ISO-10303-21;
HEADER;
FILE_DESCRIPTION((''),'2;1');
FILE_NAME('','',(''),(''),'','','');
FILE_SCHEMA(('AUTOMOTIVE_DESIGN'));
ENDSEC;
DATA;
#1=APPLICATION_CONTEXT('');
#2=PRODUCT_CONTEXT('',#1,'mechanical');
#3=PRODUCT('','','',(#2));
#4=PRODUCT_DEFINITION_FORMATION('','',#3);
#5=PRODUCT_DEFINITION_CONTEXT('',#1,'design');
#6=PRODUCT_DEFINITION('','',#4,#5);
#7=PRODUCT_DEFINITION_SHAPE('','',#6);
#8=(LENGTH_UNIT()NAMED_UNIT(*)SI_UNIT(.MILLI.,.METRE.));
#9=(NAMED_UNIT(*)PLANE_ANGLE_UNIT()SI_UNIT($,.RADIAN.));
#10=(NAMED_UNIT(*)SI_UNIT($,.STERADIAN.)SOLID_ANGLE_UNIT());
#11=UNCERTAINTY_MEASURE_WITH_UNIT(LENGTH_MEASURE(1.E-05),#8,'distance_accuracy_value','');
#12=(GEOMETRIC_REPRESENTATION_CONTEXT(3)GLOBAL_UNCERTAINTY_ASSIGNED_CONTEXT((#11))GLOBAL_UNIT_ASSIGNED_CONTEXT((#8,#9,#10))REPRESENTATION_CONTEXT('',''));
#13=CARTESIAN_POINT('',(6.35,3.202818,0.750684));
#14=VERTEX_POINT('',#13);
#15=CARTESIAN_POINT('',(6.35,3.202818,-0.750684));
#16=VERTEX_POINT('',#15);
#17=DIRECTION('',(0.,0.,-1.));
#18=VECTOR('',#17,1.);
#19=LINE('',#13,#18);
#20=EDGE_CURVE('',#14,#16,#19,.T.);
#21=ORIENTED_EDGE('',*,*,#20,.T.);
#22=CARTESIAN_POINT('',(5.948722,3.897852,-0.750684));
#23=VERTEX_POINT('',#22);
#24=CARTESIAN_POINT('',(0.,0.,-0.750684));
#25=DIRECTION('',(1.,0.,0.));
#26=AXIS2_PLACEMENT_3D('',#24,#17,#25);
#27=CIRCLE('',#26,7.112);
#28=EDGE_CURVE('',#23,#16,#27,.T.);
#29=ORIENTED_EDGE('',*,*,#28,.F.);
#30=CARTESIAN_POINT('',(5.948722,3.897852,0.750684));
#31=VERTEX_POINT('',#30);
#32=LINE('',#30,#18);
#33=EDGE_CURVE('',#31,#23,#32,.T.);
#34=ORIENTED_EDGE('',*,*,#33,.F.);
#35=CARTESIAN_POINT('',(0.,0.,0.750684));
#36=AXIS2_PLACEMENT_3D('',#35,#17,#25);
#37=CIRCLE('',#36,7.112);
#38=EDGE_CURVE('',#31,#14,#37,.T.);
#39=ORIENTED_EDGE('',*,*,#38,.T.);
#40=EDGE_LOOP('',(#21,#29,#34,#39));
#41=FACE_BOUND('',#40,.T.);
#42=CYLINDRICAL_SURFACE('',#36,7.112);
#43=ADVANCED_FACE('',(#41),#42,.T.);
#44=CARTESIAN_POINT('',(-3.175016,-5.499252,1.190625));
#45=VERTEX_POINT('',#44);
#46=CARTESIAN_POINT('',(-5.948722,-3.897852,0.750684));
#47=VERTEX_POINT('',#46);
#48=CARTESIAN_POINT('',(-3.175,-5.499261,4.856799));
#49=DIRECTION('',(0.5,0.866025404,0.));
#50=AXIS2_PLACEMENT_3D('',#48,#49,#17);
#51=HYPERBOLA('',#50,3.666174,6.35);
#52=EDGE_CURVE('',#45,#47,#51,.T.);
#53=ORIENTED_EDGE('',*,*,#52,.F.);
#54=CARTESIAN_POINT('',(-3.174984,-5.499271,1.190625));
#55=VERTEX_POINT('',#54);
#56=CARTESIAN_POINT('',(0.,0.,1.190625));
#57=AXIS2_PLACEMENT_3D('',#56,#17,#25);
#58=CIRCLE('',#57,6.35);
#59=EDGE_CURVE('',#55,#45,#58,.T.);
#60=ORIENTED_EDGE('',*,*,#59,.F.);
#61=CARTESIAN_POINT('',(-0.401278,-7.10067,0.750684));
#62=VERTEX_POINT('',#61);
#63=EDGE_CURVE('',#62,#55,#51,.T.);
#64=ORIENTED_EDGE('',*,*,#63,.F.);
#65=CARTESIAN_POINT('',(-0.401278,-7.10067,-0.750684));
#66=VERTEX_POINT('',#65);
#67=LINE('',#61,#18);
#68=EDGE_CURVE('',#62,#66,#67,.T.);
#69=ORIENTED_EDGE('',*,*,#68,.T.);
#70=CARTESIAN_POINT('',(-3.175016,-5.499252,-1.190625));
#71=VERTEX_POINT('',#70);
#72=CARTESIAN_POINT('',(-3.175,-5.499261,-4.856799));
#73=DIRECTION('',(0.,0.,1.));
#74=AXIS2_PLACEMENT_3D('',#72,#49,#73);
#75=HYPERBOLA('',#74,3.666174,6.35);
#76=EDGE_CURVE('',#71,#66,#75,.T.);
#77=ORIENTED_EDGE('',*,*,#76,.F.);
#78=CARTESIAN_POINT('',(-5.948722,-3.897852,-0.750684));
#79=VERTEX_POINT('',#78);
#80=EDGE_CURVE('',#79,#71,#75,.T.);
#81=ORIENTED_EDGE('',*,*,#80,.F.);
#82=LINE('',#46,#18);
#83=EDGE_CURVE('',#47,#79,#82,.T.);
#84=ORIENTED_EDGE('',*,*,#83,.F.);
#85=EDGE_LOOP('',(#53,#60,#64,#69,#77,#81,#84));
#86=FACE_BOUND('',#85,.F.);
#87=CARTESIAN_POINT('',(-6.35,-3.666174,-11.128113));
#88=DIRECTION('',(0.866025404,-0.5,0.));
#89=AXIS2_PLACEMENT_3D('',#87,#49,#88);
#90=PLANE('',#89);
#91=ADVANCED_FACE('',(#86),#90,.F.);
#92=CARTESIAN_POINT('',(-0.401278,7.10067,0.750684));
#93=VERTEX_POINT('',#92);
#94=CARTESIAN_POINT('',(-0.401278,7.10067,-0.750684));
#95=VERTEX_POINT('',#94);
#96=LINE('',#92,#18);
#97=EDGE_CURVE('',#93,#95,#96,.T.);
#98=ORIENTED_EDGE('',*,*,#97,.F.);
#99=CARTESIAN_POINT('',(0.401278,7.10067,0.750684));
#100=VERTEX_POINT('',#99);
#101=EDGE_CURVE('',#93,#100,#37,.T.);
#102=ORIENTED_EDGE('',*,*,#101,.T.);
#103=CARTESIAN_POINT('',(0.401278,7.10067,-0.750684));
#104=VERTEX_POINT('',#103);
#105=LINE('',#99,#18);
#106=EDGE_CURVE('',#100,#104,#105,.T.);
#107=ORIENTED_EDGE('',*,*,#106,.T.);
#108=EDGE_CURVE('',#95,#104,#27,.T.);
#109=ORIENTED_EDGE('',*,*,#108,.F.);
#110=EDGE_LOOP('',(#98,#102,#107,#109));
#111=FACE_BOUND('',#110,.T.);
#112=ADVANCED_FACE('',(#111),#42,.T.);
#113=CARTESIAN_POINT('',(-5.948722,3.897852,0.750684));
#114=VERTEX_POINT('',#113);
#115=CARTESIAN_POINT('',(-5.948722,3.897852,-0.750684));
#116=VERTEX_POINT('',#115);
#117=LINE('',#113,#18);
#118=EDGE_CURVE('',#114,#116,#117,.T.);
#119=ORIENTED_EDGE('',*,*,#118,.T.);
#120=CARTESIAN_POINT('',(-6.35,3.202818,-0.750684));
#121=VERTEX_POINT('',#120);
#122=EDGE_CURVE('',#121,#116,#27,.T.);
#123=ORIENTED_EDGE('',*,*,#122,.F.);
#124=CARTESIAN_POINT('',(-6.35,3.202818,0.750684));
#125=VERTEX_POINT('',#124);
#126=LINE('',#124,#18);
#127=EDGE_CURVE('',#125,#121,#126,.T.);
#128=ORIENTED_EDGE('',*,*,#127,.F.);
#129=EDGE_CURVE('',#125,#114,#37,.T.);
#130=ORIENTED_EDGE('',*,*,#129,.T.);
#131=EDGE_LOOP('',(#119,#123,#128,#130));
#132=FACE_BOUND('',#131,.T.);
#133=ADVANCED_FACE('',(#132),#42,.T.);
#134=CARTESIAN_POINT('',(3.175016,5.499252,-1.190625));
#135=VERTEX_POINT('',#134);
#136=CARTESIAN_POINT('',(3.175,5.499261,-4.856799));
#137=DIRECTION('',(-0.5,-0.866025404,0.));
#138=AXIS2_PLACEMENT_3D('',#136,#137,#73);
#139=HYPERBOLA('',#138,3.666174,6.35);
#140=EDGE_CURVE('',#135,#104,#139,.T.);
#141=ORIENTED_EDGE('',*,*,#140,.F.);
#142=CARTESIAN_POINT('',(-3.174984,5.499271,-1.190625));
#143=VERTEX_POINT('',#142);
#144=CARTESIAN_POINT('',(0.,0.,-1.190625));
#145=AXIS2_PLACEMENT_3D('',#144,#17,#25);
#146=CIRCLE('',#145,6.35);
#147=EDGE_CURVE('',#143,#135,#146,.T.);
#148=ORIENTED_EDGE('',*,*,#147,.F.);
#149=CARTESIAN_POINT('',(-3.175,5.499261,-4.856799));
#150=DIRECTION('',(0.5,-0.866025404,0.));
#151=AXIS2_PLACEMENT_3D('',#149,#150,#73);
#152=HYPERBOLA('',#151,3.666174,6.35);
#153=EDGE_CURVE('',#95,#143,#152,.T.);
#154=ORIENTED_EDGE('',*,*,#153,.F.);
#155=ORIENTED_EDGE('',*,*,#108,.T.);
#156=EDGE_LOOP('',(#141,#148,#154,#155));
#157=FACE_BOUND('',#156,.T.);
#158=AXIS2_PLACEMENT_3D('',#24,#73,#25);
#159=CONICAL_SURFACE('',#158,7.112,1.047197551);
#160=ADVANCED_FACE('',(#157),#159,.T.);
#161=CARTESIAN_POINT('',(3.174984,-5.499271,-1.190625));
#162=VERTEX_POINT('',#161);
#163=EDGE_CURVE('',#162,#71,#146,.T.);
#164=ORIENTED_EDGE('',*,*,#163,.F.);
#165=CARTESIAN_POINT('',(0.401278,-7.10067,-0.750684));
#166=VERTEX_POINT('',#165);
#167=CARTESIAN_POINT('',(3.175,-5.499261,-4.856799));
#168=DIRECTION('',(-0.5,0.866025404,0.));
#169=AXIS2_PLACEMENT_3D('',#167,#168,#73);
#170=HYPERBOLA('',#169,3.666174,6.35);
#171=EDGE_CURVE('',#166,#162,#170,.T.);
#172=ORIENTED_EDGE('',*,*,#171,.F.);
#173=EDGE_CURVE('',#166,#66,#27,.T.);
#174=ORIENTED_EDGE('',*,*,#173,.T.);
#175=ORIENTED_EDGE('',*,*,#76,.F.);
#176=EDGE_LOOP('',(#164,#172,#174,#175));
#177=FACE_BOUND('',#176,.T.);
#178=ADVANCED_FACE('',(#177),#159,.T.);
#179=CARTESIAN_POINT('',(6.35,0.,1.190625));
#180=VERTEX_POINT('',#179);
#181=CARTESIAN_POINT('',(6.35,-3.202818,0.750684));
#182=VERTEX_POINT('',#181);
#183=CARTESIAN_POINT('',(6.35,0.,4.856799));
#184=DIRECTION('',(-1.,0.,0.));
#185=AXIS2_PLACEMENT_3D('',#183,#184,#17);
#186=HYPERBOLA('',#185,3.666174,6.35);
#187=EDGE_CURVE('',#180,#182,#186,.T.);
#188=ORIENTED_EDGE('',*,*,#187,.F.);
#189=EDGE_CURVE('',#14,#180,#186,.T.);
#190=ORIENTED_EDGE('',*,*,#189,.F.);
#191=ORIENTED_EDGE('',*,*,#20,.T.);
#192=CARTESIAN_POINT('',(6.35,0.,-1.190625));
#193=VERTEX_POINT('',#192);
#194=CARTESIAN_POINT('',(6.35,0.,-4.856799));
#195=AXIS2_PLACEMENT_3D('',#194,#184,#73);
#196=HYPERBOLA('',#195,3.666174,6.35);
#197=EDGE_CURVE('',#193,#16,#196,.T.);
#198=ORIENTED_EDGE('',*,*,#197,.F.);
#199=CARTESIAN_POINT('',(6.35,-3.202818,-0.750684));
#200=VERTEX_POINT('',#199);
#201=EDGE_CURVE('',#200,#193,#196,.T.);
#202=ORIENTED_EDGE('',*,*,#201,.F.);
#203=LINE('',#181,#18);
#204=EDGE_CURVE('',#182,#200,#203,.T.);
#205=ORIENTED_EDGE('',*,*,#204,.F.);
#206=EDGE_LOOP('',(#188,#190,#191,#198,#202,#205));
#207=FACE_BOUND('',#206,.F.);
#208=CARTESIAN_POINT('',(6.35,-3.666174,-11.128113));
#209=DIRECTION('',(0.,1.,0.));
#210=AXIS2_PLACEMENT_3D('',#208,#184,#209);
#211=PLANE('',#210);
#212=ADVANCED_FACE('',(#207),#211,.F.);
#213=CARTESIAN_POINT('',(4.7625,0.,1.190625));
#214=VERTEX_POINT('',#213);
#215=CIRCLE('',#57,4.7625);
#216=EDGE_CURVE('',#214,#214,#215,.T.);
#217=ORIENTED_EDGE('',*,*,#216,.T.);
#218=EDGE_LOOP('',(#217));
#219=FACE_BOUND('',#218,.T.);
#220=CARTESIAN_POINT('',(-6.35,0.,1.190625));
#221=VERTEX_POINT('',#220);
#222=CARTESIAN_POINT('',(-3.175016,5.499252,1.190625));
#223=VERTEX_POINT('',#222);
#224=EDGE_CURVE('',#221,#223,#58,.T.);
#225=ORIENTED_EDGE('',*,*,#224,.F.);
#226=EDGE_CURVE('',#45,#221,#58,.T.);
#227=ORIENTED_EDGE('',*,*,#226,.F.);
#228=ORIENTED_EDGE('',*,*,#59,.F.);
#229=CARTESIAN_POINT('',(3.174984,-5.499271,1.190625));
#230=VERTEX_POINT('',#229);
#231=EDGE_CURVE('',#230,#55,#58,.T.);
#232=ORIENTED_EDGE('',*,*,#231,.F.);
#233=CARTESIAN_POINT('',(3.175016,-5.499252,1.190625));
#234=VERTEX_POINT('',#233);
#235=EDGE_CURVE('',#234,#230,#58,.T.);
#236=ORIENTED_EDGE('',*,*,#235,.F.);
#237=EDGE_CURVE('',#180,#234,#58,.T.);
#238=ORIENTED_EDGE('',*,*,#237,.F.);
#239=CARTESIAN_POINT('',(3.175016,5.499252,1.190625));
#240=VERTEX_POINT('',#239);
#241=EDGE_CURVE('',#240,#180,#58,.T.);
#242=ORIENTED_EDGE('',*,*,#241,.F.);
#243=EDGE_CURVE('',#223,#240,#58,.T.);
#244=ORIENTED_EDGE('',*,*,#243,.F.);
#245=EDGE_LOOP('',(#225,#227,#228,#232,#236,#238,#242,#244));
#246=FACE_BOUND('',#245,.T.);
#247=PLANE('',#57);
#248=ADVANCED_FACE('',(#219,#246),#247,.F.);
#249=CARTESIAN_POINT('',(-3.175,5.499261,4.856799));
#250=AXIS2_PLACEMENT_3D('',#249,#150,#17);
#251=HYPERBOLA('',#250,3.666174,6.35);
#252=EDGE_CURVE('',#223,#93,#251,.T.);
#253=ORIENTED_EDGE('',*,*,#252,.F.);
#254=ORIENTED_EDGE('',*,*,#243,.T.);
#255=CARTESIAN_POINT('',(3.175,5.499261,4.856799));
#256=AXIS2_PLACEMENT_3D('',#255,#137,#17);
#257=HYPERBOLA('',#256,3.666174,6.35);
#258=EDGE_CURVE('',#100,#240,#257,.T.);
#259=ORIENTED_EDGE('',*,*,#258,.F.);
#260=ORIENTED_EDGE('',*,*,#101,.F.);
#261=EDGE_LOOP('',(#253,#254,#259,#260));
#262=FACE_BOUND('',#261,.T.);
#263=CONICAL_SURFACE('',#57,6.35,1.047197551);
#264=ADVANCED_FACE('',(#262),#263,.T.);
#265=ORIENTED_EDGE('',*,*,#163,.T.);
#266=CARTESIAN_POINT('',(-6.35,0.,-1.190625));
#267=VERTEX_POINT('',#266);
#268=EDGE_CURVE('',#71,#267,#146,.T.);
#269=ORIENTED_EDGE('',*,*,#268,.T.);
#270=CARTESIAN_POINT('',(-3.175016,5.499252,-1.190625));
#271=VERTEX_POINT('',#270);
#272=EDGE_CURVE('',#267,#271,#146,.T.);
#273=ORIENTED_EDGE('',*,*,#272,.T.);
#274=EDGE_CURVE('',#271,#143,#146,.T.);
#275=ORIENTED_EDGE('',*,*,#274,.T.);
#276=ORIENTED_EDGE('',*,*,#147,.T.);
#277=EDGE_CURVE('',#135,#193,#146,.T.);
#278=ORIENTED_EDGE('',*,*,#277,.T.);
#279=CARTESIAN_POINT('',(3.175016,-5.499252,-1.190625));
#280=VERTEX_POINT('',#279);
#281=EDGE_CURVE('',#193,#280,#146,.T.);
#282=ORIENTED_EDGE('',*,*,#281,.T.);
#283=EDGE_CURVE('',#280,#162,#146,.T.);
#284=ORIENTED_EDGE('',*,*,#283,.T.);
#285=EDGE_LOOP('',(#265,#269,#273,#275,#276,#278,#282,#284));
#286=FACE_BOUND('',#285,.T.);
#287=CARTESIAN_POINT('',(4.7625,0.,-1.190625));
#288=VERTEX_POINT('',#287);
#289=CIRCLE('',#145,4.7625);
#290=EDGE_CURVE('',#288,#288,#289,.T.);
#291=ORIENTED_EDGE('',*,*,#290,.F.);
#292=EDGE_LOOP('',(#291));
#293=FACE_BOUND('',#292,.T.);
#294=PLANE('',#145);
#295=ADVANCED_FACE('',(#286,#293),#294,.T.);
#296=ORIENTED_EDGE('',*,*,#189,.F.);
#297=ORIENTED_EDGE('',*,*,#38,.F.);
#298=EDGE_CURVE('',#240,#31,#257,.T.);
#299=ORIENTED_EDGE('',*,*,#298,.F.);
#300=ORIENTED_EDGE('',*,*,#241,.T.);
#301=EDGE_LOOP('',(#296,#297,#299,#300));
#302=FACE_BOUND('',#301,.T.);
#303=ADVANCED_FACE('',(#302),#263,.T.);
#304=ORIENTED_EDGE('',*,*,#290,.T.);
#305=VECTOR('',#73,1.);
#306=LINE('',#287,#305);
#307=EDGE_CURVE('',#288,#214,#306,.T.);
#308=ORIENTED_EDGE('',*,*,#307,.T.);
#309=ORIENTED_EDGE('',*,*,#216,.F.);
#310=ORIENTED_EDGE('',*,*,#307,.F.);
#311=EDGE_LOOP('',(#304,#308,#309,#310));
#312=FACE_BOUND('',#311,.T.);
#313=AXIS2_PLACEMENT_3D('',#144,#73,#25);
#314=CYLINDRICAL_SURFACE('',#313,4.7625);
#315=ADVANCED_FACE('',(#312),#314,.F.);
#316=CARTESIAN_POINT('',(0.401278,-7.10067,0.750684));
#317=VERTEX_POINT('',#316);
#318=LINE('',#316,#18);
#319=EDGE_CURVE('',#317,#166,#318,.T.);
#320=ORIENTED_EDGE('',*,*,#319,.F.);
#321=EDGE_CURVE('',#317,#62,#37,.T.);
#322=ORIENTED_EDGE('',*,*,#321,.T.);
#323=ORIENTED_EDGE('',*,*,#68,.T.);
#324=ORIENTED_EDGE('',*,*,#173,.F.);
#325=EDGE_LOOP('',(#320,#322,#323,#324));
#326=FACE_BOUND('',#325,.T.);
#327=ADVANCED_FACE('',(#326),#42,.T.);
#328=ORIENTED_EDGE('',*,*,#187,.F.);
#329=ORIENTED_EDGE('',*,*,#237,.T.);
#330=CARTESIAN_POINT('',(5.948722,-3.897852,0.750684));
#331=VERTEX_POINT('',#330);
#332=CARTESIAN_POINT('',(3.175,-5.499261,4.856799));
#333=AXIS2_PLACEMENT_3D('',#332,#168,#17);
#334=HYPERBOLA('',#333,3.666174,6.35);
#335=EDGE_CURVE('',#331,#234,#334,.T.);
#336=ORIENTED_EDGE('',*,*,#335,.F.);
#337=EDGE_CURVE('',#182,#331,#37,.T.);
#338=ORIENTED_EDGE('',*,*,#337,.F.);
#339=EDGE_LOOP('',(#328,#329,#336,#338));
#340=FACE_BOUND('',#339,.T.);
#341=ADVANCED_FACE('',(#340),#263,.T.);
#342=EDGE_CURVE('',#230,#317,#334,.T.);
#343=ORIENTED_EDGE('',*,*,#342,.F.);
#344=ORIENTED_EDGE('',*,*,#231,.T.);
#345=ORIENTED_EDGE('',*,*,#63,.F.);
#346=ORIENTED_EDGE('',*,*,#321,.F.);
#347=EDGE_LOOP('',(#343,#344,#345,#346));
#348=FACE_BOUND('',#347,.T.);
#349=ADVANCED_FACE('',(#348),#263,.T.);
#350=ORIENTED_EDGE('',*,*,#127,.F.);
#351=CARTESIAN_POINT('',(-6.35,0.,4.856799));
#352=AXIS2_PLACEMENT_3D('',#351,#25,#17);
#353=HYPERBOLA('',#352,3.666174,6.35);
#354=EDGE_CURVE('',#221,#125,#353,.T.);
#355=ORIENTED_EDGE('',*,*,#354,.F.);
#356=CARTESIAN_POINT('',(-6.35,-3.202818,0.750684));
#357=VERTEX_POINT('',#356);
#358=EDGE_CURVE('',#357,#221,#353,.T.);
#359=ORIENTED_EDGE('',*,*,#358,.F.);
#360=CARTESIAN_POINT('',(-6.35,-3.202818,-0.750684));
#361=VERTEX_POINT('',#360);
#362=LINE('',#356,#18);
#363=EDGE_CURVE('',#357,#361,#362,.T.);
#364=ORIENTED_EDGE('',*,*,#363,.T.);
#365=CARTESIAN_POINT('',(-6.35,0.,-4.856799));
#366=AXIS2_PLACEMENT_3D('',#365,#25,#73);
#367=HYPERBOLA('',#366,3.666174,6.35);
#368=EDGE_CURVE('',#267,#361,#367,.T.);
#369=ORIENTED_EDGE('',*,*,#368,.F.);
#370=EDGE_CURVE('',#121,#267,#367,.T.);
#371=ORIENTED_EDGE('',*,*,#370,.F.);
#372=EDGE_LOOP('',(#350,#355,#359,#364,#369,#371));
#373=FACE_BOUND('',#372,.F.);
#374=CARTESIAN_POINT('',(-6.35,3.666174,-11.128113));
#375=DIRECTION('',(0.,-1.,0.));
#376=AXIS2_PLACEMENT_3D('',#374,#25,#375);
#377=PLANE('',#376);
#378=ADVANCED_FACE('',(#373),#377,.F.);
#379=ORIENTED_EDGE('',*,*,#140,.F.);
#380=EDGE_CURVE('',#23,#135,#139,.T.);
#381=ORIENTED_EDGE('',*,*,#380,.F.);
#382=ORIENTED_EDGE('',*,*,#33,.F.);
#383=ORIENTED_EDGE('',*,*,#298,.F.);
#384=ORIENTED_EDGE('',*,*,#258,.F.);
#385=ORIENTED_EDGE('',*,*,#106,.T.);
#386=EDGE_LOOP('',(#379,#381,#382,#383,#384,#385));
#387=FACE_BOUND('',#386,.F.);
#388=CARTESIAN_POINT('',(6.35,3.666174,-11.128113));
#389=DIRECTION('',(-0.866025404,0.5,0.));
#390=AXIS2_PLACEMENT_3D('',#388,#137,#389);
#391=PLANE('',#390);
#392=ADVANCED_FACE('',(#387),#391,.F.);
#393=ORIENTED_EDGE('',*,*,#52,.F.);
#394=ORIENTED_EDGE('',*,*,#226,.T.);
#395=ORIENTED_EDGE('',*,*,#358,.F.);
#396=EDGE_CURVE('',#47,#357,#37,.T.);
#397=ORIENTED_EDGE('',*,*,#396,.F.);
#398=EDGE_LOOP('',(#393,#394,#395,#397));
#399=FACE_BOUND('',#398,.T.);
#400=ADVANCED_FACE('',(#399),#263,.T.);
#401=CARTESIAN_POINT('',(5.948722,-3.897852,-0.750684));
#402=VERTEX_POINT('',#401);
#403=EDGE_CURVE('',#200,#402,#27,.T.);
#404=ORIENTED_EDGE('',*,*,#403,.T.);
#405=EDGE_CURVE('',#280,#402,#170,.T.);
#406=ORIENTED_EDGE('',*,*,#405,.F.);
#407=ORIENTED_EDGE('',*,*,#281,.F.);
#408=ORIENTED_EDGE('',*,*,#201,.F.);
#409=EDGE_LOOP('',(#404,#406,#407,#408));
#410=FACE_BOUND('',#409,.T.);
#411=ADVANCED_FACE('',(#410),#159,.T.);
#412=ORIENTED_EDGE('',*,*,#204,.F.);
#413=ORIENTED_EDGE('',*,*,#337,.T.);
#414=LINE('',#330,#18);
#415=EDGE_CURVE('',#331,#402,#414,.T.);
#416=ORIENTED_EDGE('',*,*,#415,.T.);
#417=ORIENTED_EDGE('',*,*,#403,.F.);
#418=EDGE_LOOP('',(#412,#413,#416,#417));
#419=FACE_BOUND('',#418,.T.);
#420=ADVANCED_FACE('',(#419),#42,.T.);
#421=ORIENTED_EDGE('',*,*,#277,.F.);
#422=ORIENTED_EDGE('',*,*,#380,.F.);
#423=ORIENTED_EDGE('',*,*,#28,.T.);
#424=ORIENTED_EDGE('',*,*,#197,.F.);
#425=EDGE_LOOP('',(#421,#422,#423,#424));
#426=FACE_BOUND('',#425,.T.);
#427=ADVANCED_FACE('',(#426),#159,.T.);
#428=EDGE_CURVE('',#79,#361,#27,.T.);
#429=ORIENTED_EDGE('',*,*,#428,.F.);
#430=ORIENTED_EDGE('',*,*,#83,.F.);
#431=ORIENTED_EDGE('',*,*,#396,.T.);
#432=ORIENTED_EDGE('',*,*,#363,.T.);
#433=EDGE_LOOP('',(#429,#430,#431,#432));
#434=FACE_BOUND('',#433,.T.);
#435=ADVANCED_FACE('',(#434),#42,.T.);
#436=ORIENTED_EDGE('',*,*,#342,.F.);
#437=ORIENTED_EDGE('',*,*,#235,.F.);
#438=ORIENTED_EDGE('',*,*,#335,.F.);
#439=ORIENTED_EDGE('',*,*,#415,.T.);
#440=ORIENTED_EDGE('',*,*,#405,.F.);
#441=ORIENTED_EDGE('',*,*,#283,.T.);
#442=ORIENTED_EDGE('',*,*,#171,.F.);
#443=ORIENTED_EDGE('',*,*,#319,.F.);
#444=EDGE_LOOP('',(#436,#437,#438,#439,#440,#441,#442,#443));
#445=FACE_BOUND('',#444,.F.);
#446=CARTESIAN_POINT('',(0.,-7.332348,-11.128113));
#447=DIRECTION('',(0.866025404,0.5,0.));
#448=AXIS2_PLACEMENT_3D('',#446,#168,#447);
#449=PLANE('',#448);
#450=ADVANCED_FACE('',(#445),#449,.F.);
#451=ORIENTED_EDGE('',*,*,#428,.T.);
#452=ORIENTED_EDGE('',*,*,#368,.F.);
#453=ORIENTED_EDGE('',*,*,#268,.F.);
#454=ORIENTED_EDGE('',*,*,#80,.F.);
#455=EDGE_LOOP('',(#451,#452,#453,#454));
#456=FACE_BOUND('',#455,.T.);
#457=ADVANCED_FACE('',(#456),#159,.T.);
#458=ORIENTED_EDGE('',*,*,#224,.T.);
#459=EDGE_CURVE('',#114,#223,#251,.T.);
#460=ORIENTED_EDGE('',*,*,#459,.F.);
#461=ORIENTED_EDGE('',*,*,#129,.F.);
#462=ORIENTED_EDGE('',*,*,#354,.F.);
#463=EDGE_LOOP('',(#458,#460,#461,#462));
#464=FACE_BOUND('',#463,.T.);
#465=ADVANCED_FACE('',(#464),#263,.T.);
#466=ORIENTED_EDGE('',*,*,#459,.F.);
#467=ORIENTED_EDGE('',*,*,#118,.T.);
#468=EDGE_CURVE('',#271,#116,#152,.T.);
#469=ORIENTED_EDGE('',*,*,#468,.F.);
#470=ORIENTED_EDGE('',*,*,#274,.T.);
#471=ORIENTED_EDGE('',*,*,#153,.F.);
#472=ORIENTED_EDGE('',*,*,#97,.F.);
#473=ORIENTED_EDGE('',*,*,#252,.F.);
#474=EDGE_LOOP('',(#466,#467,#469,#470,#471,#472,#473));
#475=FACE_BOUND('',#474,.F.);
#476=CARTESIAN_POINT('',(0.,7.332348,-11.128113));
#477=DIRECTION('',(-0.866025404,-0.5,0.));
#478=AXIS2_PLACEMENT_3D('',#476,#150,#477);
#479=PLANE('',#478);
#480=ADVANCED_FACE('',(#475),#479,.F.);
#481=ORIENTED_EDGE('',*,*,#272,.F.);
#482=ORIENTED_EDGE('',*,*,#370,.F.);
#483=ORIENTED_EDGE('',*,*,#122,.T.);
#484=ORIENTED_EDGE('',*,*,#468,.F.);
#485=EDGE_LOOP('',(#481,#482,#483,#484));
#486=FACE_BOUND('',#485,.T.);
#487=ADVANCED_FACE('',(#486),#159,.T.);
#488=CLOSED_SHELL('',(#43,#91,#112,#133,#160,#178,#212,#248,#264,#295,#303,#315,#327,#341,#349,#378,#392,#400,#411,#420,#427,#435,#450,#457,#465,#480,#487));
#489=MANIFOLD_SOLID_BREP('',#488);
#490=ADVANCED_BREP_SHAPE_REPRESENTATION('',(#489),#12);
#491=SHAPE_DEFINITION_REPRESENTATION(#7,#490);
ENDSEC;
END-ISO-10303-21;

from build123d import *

# Parameters (mm, degrees)
CUT_EXTRUDE1_DEPTH      = 11.128113146
CUT_EXTRUDE1_DEPTH_BACK = 11.128113146
SKETCH4_OUTSIDE_W       = 20.276
SKETCH4_OUTSIDE_H       = 20.276


with BuildPart() as part:
    # Sketch3 → Revolve1 (revolve)
    with BuildSketch(Plane(origin=(0, 0, 0), x_dir=(0, 0, -1), z_dir=(1, 0, 0))):
        Polygon((-1.190625, 6.35), (-0.750684095, 7.112), (0.750684095, 7.112), (1.190625, 6.35), (1.190625, 4.7625), (-1.190625, 4.7625), align=None)
    revolve(axis=Axis((0, 0, 1.190625), (0, 0, -1)))

    # Sketch4 outside → Cut-Extrude1 (cut, two sides: drawn at the far end of the back side and taken through both)
    with BuildSketch(Plane.XY.offset(-CUT_EXTRUDE1_DEPTH_BACK)):
        Rectangle(SKETCH4_OUTSIDE_W, SKETCH4_OUTSIDE_H)
        Polygon((0, 7.332348419), (-6.35, 3.666174209), (-6.35, -3.666174209), (0, -7.332348419), (6.35, -3.666174209), (6.35, 3.666174209), align=None, mode=Mode.SUBTRACT)
    extrude(amount=CUT_EXTRUDE1_DEPTH + CUT_EXTRUDE1_DEPTH_BACK, mode=Mode.SUBTRACT)


solid = part.part
